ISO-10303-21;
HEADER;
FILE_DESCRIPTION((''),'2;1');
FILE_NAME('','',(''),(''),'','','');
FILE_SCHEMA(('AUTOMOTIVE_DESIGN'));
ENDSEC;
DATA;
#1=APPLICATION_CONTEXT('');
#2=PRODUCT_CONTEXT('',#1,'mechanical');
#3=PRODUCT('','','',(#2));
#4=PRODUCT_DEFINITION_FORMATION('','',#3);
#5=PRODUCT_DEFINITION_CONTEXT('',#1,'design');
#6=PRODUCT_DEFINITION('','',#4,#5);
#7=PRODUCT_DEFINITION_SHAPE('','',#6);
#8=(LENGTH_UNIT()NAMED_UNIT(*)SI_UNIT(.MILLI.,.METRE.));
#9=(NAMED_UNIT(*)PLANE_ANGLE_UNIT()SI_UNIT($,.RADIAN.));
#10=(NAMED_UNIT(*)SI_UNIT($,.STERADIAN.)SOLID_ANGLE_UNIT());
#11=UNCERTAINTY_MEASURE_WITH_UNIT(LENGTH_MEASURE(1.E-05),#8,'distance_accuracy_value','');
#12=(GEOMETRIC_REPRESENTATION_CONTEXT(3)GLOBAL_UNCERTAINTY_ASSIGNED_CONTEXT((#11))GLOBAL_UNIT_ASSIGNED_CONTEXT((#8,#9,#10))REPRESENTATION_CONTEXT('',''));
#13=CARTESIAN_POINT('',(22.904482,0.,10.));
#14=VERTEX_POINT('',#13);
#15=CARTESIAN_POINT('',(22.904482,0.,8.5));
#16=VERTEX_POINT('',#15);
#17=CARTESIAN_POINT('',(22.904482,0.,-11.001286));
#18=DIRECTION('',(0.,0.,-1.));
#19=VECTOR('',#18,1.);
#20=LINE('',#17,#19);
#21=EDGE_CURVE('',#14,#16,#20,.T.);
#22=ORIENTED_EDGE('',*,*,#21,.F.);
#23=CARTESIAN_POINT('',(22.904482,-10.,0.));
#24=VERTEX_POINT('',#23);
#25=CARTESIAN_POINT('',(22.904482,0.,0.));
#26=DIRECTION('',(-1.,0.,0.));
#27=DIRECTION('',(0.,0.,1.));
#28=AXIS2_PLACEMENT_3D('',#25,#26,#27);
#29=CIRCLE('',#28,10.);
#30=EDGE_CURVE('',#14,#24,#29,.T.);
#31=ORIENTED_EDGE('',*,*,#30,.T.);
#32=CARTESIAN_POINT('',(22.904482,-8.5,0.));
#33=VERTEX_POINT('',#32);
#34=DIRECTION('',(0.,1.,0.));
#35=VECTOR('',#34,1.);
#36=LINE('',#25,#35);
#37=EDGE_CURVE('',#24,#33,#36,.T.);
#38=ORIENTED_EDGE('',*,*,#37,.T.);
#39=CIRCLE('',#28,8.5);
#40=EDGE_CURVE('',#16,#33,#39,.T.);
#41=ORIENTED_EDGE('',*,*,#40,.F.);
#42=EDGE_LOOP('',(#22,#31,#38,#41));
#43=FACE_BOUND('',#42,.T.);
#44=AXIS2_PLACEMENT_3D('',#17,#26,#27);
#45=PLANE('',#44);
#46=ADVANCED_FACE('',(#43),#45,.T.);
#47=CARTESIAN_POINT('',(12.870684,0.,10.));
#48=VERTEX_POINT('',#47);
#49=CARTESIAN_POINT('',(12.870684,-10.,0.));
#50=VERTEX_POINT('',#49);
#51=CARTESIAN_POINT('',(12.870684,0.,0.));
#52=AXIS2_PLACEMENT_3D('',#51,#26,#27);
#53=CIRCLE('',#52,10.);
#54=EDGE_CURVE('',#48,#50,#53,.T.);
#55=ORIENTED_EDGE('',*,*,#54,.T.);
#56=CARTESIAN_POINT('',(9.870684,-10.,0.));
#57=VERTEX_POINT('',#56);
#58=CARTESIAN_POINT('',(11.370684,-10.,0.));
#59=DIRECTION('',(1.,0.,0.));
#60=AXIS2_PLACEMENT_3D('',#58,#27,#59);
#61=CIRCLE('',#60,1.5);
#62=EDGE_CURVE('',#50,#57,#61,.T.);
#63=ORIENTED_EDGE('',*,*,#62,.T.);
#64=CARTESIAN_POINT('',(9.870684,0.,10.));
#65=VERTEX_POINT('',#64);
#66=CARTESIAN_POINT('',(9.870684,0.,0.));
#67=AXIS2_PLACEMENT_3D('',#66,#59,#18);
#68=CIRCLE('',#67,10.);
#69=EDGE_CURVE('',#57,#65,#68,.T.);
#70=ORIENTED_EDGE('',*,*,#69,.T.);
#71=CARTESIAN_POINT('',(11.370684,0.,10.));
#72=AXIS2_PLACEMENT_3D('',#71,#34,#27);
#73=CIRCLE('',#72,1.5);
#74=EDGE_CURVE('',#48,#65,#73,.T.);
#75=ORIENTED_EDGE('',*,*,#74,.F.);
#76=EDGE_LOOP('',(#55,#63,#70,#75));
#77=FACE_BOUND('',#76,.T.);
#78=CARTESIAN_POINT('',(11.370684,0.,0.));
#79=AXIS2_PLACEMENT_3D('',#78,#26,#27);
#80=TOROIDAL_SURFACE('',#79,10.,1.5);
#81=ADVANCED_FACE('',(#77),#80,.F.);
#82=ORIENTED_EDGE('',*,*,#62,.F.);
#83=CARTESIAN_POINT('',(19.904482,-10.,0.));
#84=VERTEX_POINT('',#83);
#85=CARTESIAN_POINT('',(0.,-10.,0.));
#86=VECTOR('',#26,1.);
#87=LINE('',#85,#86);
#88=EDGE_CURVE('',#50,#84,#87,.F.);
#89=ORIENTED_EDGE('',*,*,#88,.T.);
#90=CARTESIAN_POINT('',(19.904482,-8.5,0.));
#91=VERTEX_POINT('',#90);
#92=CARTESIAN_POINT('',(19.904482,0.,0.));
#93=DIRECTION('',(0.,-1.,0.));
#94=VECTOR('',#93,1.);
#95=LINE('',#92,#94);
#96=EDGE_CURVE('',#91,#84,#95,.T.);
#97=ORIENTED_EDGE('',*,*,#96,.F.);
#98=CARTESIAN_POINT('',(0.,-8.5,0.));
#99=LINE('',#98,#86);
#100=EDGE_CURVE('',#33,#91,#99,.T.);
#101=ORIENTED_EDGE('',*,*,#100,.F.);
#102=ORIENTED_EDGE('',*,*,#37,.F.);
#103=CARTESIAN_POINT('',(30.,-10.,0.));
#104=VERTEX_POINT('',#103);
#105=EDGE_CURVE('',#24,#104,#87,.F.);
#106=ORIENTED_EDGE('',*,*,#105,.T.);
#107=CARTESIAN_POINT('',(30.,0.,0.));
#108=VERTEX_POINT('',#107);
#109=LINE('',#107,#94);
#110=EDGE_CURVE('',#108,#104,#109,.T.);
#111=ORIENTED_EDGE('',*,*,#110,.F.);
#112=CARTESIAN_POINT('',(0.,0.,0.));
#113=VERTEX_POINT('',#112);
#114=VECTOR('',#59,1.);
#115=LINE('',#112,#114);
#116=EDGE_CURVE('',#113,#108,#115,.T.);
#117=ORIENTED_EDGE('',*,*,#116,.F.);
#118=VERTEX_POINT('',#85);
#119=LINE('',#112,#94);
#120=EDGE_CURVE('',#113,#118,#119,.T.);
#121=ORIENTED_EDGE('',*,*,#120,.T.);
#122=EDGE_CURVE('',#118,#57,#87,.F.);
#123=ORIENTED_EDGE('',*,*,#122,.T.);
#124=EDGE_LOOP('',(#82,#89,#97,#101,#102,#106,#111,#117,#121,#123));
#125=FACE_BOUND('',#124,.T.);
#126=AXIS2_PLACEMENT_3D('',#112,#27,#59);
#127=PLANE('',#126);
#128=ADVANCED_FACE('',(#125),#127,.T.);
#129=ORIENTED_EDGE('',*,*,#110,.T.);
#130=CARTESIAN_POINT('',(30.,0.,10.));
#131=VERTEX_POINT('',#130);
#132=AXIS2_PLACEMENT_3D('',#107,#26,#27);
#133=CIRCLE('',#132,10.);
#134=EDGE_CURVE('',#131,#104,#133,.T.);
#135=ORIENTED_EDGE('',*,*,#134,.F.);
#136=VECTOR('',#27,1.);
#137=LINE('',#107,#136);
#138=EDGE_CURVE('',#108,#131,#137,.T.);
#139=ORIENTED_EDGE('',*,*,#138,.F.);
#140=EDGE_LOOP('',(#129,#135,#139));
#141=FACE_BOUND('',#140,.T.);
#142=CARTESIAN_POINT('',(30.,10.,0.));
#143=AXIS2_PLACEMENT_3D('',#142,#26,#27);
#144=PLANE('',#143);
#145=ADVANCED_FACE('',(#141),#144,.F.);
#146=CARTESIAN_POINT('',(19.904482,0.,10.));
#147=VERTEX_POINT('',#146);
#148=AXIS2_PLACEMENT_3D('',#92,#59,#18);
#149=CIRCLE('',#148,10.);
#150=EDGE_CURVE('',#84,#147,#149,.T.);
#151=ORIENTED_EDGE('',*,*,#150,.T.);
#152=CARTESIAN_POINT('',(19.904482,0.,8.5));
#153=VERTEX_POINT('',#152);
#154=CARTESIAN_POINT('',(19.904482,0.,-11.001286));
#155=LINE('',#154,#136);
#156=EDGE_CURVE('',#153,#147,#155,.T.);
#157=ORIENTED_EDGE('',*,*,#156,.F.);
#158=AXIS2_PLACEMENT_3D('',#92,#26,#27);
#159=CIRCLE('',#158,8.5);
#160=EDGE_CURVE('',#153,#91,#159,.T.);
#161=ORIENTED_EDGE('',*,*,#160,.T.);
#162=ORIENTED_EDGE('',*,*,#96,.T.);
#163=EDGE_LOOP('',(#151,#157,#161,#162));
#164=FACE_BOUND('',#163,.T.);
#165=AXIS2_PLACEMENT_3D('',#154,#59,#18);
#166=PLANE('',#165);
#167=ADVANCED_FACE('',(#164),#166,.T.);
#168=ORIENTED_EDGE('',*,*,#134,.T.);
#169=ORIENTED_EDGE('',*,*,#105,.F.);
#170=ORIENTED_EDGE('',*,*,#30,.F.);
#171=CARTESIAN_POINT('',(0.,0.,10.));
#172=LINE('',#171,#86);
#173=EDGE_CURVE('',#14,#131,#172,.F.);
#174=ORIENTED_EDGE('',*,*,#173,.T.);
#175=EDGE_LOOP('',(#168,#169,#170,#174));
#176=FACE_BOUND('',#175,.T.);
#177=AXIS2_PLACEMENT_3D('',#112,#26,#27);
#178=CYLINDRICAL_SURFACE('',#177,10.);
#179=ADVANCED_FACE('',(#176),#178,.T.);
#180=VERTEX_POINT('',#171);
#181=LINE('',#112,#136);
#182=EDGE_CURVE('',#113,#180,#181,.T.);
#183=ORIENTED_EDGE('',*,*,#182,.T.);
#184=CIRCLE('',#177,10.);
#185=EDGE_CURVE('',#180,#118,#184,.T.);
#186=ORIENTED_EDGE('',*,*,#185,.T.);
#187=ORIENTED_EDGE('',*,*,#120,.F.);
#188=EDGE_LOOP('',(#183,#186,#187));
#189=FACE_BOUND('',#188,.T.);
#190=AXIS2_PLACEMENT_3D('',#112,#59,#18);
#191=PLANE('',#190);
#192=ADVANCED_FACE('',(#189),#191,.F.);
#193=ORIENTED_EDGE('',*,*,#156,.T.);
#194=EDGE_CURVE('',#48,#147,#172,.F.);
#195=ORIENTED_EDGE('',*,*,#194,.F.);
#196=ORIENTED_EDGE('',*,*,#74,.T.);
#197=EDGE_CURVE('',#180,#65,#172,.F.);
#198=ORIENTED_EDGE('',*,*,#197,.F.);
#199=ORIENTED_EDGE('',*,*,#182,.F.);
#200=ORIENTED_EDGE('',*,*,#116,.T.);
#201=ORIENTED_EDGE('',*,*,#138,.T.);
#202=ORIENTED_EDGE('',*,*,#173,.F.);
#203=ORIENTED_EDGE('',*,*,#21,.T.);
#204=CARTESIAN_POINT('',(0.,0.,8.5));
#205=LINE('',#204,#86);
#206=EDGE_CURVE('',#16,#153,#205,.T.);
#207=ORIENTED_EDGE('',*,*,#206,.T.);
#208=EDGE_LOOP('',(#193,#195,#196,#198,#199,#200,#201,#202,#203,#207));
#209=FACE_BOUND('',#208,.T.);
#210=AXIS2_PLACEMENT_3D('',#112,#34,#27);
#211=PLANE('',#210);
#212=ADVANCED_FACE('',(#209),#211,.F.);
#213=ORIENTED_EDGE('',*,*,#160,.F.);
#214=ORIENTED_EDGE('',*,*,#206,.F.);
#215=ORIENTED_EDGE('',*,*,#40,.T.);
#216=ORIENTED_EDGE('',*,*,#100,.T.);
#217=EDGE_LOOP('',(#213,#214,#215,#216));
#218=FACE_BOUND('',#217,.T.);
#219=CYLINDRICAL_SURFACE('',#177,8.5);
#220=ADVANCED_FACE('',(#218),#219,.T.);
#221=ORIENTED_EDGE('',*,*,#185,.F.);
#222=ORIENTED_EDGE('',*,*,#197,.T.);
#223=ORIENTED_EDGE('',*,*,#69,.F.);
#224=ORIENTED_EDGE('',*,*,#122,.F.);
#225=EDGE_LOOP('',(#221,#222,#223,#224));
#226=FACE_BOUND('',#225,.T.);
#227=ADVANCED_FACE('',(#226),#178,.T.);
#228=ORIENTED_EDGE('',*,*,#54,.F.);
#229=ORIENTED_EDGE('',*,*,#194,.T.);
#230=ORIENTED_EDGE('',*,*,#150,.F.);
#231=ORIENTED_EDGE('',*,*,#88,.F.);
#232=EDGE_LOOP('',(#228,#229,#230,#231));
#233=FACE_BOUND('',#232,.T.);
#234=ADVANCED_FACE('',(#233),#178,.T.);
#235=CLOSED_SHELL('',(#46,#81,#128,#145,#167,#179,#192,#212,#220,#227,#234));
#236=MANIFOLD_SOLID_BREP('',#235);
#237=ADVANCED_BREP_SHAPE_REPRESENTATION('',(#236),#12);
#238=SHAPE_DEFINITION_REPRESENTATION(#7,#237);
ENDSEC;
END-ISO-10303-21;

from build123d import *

# Parameters (mm, degrees)
ESQUISSE1_W             = 30
ESQUISSE1_H             = 10
ESQUISSE4_R             = 1.5
ESQUISSE4_W             = 3
ESQUISSE4_H             = 2.501285573
ESQUISSE5_W             = 24.738109029
ESQUISSE5_H             = 14.721675616
ENL_V_MAT_EXTRU_2_DEPTH = 34.166247904


with BuildPart() as part:
    # Esquisse1 → Révolution2 (revolve)
    with BuildSketch(Plane.XY, mode=Mode.PRIVATE) as r_volution2_sk:
        with Locations((15, 5)):
            Rectangle(ESQUISSE1_W, ESQUISSE1_H)
    revolve(r_volution2_sk.sketch.rotate(Axis((0, 0, 0), (1, 0, 0)), 90), axis=Axis((0, 0, 0), (1, 0, 0)))

    # Esquisse4 → Enlèvement de matière-Révolution1 (revolve, cut)
    with BuildSketch(Plane(origin=(0, 0, 0), x_dir=(1, 0, 0), z_dir=(0, 1, 0)), mode=Mode.PRIVATE) as enl_vement_de_mati_re_r_volution1_sk:
        with Locations((11.370683678, 10)):
            Circle(ESQUISSE4_R)
        with Locations((21.404481516, 9.750642787)):
            Rectangle(ESQUISSE4_W, ESQUISSE4_H)
    revolve(enl_vement_de_mati_re_r_volution1_sk.sketch.rotate(Axis((0, 0, 0), (1, 0, 0)), 180), axis=Axis((0, 0, 0), (1, 0, 0)), mode=Mode.SUBTRACT)

    # Esquisse5 → Enlèv. mat.-Extru.2 (cut, through all)
    with BuildSketch(Plane(origin=(30, 0, 0), x_dir=(0, 0, -1), z_dir=(1, 0, 0))):
        with Locations((-12.369054515, -7.360837808)):
            Rectangle(ESQUISSE5_W, ESQUISSE5_H)
    extrude(amount=-ENL_V_MAT_EXTRU_2_DEPTH, mode=Mode.SUBTRACT)


solid = part.part
